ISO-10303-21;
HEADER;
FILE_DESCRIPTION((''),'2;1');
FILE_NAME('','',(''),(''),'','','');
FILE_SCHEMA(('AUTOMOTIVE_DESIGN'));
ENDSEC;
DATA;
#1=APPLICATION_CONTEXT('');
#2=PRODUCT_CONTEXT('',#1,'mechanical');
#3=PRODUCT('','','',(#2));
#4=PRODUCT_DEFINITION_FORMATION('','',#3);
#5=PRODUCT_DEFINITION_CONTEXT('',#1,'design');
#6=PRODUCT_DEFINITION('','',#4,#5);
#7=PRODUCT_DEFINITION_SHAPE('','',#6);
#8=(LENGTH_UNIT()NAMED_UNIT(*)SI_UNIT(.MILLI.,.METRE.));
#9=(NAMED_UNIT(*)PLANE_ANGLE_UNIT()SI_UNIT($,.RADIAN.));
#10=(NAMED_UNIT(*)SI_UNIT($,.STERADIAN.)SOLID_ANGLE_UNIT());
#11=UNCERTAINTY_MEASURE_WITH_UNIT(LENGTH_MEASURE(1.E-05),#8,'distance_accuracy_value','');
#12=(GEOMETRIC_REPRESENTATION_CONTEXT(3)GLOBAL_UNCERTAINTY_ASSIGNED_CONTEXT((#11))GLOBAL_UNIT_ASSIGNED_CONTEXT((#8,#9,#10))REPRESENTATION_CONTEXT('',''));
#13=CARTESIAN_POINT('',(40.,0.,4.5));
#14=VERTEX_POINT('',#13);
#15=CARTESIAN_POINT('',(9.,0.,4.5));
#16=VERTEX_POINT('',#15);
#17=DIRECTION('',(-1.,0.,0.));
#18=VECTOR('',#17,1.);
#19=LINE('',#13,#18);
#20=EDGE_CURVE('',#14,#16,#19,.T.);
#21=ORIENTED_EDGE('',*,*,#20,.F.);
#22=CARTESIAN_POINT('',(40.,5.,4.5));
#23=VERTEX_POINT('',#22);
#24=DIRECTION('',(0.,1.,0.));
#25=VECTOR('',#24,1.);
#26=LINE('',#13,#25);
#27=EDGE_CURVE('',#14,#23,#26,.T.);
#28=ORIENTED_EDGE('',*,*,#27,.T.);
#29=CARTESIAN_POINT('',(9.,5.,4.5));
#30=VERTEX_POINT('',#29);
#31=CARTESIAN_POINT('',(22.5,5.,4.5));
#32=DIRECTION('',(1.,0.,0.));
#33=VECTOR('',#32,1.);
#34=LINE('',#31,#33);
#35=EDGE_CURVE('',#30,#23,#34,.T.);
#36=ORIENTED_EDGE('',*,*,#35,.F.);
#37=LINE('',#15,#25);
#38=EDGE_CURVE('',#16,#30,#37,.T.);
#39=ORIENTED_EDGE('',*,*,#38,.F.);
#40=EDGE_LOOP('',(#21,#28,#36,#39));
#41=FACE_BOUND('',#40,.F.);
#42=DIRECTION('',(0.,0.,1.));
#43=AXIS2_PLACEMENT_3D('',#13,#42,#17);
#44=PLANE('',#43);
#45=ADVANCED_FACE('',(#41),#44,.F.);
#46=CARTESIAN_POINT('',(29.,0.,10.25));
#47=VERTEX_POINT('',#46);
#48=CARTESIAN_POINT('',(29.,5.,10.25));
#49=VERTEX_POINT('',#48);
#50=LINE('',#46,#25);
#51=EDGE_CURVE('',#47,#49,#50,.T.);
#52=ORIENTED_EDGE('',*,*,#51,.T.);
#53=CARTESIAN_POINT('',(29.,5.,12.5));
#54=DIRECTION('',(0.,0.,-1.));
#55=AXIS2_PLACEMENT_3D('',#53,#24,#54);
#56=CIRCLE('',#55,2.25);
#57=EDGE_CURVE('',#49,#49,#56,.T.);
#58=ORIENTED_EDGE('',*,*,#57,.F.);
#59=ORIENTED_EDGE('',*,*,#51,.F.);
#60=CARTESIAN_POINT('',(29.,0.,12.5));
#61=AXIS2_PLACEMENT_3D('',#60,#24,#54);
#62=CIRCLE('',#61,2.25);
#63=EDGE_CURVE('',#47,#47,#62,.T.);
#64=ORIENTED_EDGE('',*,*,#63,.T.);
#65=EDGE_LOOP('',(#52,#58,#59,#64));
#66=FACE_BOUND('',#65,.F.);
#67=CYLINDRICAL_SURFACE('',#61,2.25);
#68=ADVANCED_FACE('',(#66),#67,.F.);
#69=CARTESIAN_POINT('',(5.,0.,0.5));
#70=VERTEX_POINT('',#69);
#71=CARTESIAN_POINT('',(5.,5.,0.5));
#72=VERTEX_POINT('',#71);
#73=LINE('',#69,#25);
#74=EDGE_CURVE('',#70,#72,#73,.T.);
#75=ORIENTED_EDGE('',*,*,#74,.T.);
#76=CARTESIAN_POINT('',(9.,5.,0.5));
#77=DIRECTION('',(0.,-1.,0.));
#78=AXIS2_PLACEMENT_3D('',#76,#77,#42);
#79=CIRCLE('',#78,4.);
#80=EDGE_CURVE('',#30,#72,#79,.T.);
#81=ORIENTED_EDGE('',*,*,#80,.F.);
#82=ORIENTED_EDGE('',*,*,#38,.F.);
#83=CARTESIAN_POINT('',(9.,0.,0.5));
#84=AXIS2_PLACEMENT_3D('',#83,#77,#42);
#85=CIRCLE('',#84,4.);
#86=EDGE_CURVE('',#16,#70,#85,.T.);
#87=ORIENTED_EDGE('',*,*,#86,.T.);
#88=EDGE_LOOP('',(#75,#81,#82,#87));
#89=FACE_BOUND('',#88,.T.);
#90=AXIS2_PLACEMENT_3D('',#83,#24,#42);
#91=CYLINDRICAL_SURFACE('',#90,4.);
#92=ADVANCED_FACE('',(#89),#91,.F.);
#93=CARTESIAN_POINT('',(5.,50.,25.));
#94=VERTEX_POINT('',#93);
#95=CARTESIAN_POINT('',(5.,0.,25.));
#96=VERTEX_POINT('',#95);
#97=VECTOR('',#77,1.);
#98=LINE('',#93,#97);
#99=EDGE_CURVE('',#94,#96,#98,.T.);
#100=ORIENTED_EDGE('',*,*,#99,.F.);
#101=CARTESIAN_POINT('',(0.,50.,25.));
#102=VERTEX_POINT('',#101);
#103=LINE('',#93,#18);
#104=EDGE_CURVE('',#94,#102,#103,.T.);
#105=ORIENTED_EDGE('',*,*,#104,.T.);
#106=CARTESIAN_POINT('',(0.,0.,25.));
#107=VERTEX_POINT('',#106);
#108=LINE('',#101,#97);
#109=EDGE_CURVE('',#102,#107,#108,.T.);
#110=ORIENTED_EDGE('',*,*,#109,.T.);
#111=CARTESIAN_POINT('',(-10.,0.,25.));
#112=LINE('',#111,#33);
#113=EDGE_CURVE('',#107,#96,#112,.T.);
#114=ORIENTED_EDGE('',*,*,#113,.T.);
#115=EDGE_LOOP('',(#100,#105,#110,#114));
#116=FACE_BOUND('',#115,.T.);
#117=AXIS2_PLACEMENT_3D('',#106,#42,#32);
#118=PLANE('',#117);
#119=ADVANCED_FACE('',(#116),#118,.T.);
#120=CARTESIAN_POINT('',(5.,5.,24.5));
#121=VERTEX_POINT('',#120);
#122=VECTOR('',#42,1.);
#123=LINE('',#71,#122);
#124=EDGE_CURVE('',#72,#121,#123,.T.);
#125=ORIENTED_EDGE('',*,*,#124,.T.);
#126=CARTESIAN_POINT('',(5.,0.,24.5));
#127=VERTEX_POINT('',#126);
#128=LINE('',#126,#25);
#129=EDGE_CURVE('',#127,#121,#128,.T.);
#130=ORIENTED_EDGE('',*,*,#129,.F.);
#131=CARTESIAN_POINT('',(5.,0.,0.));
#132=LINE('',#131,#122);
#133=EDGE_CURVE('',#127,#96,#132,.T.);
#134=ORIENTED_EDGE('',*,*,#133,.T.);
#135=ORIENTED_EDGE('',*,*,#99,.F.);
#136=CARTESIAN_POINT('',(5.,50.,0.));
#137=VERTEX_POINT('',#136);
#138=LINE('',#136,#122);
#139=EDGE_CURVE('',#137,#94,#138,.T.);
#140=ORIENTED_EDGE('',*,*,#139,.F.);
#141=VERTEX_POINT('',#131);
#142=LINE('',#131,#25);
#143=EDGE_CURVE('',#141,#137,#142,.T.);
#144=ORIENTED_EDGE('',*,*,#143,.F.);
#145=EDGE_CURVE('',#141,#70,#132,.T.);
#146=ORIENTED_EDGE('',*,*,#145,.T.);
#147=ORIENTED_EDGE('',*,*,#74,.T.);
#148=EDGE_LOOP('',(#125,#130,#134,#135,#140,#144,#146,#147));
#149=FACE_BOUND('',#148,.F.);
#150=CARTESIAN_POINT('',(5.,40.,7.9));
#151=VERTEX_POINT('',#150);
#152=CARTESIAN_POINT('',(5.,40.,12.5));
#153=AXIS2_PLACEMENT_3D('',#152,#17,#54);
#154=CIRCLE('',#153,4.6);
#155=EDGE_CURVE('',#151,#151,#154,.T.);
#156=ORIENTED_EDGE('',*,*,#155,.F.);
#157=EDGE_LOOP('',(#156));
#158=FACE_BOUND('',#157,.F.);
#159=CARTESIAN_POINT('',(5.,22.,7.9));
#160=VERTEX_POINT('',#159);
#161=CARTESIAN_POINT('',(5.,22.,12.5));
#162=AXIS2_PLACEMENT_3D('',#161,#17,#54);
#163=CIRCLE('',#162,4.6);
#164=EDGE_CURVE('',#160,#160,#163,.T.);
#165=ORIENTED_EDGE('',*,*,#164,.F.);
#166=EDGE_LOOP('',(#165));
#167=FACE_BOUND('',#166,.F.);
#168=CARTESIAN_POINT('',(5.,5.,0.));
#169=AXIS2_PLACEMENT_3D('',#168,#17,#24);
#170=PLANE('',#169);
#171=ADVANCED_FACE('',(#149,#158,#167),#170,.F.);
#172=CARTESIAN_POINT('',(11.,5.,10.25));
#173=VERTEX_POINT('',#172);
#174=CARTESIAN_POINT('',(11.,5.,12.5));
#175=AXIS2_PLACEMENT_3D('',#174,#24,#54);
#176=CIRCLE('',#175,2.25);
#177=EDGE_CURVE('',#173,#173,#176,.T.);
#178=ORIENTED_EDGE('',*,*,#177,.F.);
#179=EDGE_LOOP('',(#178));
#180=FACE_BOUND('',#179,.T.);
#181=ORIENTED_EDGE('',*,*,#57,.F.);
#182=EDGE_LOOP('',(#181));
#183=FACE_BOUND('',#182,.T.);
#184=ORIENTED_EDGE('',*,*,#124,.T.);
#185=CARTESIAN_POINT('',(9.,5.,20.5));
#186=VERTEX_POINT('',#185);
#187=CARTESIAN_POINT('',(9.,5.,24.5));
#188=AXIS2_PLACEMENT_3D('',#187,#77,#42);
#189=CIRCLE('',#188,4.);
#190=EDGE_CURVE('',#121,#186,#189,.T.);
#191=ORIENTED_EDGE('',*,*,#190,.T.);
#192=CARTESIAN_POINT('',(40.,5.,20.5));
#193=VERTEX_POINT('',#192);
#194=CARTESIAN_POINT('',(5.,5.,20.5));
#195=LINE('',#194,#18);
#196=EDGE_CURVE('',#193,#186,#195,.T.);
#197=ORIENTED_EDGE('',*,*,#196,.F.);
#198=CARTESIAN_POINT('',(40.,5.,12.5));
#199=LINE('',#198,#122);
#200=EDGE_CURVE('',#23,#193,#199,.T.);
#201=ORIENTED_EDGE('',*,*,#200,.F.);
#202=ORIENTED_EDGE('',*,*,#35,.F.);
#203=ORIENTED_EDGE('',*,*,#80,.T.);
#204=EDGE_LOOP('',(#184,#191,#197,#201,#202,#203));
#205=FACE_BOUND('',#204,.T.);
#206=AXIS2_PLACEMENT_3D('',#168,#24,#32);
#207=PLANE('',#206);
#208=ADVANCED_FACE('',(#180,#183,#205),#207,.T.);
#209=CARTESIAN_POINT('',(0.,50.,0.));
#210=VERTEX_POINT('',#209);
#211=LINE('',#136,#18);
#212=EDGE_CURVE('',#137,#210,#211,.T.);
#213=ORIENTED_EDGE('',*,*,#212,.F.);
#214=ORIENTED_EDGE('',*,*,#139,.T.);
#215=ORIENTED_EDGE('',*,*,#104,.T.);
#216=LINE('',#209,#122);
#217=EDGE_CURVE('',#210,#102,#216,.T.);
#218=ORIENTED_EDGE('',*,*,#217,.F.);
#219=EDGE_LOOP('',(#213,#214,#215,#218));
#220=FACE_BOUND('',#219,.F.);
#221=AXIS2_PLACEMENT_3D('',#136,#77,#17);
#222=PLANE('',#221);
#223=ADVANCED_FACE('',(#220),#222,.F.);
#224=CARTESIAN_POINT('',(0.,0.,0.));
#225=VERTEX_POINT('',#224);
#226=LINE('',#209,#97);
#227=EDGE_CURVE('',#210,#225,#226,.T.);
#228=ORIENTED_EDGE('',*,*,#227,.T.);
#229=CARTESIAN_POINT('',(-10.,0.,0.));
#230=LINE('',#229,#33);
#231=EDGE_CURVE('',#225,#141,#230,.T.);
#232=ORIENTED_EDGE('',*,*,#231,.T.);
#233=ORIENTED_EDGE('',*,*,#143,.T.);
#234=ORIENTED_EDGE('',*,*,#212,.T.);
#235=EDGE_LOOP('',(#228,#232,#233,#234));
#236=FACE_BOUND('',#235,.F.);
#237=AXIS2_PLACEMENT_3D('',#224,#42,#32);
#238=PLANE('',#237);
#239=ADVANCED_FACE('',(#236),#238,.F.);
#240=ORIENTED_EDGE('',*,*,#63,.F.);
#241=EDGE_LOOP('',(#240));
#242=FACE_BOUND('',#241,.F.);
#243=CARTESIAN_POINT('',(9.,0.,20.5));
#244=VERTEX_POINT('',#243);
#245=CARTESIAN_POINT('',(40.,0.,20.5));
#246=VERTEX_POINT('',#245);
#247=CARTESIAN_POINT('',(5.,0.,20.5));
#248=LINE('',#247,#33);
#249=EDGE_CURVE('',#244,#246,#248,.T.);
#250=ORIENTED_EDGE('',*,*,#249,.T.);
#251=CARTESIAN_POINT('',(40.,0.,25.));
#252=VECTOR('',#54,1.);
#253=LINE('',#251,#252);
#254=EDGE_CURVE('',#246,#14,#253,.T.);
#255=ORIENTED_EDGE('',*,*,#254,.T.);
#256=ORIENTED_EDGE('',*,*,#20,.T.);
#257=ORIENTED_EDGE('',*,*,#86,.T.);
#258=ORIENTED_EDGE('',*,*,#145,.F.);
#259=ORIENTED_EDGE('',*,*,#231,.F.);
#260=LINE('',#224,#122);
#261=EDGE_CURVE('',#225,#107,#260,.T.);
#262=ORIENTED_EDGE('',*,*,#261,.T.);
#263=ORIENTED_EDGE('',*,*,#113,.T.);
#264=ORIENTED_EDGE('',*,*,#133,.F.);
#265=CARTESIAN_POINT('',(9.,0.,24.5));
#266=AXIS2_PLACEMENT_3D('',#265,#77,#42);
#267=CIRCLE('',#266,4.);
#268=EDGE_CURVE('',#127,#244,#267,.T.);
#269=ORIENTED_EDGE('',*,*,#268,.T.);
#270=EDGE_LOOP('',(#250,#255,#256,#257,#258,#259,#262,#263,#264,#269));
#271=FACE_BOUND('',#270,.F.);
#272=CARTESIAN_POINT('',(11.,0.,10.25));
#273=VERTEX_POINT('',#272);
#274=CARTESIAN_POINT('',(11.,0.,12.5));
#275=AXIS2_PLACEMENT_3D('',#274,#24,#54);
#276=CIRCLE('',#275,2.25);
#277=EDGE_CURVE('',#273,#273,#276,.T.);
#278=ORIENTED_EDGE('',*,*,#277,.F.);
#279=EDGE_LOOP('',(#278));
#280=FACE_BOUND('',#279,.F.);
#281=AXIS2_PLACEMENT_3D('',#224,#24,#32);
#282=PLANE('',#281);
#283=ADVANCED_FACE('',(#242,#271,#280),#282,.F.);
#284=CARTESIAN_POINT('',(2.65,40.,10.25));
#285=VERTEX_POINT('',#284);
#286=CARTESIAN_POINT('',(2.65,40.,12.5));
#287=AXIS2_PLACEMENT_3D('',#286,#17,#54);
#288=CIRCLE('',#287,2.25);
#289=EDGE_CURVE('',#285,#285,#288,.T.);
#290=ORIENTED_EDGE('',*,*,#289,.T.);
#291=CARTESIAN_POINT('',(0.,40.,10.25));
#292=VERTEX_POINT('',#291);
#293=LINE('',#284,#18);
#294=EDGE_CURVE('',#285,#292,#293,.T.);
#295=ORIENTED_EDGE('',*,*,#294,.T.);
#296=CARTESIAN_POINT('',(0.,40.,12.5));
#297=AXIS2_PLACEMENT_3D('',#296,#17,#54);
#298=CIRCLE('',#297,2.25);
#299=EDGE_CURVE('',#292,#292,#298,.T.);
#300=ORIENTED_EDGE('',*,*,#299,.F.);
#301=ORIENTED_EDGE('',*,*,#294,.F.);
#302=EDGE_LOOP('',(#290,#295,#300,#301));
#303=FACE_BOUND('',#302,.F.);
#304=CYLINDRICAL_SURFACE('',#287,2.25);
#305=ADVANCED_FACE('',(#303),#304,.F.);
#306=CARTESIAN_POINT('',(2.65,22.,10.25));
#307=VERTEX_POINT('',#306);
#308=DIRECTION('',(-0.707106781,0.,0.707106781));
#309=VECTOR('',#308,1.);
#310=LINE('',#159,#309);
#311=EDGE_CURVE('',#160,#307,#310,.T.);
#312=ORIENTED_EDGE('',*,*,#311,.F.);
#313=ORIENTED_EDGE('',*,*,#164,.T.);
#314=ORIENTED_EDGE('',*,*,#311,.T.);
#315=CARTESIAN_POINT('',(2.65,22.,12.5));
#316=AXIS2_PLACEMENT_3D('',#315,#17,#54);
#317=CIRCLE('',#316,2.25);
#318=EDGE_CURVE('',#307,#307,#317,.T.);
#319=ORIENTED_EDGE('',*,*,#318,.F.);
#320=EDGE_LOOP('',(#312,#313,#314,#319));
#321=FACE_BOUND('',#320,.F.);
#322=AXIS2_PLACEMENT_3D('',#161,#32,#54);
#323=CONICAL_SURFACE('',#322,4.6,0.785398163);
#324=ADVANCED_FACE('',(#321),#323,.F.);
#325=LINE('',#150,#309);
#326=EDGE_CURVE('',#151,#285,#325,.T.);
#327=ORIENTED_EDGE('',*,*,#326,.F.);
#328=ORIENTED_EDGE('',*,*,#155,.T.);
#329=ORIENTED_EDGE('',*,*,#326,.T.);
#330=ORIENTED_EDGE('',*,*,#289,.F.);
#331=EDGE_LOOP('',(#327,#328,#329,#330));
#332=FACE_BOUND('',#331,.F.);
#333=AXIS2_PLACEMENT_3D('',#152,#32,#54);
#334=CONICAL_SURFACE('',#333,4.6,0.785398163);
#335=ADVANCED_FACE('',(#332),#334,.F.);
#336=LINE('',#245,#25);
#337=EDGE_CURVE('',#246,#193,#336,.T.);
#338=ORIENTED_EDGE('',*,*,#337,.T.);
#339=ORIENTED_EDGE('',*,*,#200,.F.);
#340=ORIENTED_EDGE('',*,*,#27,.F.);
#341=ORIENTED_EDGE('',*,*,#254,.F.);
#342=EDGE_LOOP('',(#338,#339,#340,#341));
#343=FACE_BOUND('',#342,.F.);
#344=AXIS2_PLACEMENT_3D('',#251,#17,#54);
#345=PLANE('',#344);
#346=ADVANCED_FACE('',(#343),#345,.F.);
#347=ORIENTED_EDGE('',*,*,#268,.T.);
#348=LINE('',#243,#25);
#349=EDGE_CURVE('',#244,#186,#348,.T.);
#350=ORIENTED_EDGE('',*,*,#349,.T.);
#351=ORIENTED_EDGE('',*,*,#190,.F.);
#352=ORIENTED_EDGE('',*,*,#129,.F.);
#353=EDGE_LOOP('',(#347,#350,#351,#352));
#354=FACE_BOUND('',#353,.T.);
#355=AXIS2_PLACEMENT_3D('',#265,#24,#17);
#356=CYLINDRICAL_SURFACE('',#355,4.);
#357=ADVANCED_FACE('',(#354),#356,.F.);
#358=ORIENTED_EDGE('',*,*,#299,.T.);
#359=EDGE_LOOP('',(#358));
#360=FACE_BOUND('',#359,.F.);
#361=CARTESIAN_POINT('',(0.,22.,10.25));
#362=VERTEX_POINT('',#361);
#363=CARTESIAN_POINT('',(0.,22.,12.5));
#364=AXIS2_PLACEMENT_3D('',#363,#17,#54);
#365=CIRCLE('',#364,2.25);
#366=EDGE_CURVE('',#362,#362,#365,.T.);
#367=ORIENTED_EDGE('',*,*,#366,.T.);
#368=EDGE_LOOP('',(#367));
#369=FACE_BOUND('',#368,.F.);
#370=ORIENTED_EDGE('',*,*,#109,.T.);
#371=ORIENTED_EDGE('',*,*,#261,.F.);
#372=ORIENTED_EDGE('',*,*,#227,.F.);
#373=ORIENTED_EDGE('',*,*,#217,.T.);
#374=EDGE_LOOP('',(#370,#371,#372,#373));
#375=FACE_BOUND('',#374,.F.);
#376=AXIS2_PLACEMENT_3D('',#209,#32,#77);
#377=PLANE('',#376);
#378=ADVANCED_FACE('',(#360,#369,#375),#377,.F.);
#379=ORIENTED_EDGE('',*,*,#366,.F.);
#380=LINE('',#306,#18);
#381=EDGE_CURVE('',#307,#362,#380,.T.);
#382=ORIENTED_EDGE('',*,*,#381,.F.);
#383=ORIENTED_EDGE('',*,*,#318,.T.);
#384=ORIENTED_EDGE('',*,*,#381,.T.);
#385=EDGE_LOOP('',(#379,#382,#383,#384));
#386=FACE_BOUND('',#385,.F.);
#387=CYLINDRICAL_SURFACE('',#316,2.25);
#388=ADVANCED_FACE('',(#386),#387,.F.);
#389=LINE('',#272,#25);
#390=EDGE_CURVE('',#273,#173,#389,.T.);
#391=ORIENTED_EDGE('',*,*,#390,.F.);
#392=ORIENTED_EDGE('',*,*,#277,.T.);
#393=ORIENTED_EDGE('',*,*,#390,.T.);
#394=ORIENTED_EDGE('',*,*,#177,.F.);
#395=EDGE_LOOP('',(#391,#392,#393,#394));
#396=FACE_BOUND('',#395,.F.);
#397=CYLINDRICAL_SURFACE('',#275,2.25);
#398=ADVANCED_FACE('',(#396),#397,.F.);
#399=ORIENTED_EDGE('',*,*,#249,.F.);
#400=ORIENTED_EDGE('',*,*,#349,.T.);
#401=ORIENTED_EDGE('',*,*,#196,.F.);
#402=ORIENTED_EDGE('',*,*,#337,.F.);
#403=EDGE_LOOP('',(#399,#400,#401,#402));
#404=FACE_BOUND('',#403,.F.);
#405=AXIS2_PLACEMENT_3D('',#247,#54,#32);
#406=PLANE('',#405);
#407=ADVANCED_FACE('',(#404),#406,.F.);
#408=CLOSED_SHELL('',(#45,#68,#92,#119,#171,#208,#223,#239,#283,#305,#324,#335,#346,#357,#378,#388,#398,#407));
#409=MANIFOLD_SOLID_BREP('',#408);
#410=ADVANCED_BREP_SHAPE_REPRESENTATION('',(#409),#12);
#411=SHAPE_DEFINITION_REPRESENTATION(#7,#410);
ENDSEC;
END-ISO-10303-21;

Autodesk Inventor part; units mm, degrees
ref_plane "YZ Plane" through (0, 0, 0) normal (1, 0, 0) x (0, 1, 0)
ref_plane "XZ Plane" through (0, 0, 0) normal (0, 1, 0) x (-1, 0, 0)
ref_plane "XY Plane" through (0, 0, 0) normal (0, 0, 1) x (1, 0, 0)
sketch "Skizze1" plane through (0, 0, 0) normal (0, 0, 1) x (1, 0, 0)
  line L0 (5, 5) -> (5, 50)
  line L1 (5, 50) -> (0, 50)
  line L2 (0, 50) -> (0, 0)
  line L3 (5, 5) -> (50, 5)
  line L4 (50, 5) -> (50, 0)
  line L5 (-10, 0) -> (60, 0) projected
  line L6 (0, -10) -> (0, 60) projected
  line L7 (0, 0) -> (50, 0)
  dimension "d3" = 5
  dimension "d4" = 5
  dimension "d5" = 50
  dimension "d6" = 50
extrude "Extrusion1" add sketch "Skizze1" along normal blind 25
sketch "Skizze3" plane through (0, 0, 0) normal (0, -1, 0) x (1, 0, 0)
  line L0 (0, 0) -> (0, 25) projected
  line L1 (50, 0) -> (0, 0) projected
  line L2 (50, 0) -> (50, 25) projected
  line L3 (50, 25) -> (40, 25)
  line L4 (40, 25) -> (40, 0)
  line L5 (40, 0) -> (50, 0)
  line L6 (50, 0) -> (50, 25)
  dimension "d9" = 40
extrude "Extrusion2" cut sketch "Skizze3" against normal through all
sketch "Skizze4" plane through (0, 0, 0) normal (0, -1, 0) x (1, 0, 0)
  line L0 (40, 0) -> (40, 25) projected
  line L1 (40, 25) -> (0, 25) projected
  line L2 (0, 0) -> (0, 25) projected
  line L3 (5, 0) -> (5, 25) projected
  line L4 (40, 25) -> (5, 25)
  line L5 (5, 25) -> (5, 20.5)
  line L6 (5, 20.5) -> (40, 20.5)
  line L7 (40, 20.5) -> (40, 25)
  line L8 (5, 0) -> (40, 0)
  line L9 (40, 0) -> (40, 4.5)
  line L10 (40, 4.5) -> (5, 4.5)
  line L11 (5, 4.5) -> (5, 0)
  line L12 (0, 12.5) -> (40, 12.5)
  dimension "d12" = 16
extrude "Extrusion3" cut sketch "Skizze4" against normal through all contours L8 L3 L10 L0 | L6 L3 L1 L0
sketch "Skizze5" plane through (0, 0, 0) normal (0, -1, 0) x (1, 0, 0)
  line L0 (40, 4.5) -> (40, 20.5) projected
  line L1 (0, 0) -> (0, 25) projected
  line L2 (0, 12.5) -> (40, 12.5)
  point P0 (11, 12.5)
  point P1 (29, 12.5)
  dimension "d15" = 18
  dimension "d16" = 11
hole "Bohrung1" at (11, 0, 12.5) at (29, 0, 12.5) direction (0, 1, 0) diameter 4.5 end through all
fillet "Rundung1" radius 4 2 edges at (5, 2.5, 20.5) (5, 2.5, 4.5)
sketch "Skizze6" plane through (5, 0, 0) normal (1, 0, 0) x (0, 0, -1)
  line L0 (0, 50) -> (-25, 50) projected
  line L1 (-0.5, 5) -> (-24.5, 5) projected
  line L2 (-12.5, 50) -> (-12.5, 10.6492)
  point P0 (-12.5, 40)
  point P1 (-12.5, 22)
  dimension "d25" = 10
  dimension "d26" = 18
hole "Bohrung2" at (5, 40, 12.5) at (5, 22, 12.5) direction (-1, 0, 0) diameter 4.5 end through all countersink diameter 9.2 countersink angle 90
properties part number "13_0204_014"
